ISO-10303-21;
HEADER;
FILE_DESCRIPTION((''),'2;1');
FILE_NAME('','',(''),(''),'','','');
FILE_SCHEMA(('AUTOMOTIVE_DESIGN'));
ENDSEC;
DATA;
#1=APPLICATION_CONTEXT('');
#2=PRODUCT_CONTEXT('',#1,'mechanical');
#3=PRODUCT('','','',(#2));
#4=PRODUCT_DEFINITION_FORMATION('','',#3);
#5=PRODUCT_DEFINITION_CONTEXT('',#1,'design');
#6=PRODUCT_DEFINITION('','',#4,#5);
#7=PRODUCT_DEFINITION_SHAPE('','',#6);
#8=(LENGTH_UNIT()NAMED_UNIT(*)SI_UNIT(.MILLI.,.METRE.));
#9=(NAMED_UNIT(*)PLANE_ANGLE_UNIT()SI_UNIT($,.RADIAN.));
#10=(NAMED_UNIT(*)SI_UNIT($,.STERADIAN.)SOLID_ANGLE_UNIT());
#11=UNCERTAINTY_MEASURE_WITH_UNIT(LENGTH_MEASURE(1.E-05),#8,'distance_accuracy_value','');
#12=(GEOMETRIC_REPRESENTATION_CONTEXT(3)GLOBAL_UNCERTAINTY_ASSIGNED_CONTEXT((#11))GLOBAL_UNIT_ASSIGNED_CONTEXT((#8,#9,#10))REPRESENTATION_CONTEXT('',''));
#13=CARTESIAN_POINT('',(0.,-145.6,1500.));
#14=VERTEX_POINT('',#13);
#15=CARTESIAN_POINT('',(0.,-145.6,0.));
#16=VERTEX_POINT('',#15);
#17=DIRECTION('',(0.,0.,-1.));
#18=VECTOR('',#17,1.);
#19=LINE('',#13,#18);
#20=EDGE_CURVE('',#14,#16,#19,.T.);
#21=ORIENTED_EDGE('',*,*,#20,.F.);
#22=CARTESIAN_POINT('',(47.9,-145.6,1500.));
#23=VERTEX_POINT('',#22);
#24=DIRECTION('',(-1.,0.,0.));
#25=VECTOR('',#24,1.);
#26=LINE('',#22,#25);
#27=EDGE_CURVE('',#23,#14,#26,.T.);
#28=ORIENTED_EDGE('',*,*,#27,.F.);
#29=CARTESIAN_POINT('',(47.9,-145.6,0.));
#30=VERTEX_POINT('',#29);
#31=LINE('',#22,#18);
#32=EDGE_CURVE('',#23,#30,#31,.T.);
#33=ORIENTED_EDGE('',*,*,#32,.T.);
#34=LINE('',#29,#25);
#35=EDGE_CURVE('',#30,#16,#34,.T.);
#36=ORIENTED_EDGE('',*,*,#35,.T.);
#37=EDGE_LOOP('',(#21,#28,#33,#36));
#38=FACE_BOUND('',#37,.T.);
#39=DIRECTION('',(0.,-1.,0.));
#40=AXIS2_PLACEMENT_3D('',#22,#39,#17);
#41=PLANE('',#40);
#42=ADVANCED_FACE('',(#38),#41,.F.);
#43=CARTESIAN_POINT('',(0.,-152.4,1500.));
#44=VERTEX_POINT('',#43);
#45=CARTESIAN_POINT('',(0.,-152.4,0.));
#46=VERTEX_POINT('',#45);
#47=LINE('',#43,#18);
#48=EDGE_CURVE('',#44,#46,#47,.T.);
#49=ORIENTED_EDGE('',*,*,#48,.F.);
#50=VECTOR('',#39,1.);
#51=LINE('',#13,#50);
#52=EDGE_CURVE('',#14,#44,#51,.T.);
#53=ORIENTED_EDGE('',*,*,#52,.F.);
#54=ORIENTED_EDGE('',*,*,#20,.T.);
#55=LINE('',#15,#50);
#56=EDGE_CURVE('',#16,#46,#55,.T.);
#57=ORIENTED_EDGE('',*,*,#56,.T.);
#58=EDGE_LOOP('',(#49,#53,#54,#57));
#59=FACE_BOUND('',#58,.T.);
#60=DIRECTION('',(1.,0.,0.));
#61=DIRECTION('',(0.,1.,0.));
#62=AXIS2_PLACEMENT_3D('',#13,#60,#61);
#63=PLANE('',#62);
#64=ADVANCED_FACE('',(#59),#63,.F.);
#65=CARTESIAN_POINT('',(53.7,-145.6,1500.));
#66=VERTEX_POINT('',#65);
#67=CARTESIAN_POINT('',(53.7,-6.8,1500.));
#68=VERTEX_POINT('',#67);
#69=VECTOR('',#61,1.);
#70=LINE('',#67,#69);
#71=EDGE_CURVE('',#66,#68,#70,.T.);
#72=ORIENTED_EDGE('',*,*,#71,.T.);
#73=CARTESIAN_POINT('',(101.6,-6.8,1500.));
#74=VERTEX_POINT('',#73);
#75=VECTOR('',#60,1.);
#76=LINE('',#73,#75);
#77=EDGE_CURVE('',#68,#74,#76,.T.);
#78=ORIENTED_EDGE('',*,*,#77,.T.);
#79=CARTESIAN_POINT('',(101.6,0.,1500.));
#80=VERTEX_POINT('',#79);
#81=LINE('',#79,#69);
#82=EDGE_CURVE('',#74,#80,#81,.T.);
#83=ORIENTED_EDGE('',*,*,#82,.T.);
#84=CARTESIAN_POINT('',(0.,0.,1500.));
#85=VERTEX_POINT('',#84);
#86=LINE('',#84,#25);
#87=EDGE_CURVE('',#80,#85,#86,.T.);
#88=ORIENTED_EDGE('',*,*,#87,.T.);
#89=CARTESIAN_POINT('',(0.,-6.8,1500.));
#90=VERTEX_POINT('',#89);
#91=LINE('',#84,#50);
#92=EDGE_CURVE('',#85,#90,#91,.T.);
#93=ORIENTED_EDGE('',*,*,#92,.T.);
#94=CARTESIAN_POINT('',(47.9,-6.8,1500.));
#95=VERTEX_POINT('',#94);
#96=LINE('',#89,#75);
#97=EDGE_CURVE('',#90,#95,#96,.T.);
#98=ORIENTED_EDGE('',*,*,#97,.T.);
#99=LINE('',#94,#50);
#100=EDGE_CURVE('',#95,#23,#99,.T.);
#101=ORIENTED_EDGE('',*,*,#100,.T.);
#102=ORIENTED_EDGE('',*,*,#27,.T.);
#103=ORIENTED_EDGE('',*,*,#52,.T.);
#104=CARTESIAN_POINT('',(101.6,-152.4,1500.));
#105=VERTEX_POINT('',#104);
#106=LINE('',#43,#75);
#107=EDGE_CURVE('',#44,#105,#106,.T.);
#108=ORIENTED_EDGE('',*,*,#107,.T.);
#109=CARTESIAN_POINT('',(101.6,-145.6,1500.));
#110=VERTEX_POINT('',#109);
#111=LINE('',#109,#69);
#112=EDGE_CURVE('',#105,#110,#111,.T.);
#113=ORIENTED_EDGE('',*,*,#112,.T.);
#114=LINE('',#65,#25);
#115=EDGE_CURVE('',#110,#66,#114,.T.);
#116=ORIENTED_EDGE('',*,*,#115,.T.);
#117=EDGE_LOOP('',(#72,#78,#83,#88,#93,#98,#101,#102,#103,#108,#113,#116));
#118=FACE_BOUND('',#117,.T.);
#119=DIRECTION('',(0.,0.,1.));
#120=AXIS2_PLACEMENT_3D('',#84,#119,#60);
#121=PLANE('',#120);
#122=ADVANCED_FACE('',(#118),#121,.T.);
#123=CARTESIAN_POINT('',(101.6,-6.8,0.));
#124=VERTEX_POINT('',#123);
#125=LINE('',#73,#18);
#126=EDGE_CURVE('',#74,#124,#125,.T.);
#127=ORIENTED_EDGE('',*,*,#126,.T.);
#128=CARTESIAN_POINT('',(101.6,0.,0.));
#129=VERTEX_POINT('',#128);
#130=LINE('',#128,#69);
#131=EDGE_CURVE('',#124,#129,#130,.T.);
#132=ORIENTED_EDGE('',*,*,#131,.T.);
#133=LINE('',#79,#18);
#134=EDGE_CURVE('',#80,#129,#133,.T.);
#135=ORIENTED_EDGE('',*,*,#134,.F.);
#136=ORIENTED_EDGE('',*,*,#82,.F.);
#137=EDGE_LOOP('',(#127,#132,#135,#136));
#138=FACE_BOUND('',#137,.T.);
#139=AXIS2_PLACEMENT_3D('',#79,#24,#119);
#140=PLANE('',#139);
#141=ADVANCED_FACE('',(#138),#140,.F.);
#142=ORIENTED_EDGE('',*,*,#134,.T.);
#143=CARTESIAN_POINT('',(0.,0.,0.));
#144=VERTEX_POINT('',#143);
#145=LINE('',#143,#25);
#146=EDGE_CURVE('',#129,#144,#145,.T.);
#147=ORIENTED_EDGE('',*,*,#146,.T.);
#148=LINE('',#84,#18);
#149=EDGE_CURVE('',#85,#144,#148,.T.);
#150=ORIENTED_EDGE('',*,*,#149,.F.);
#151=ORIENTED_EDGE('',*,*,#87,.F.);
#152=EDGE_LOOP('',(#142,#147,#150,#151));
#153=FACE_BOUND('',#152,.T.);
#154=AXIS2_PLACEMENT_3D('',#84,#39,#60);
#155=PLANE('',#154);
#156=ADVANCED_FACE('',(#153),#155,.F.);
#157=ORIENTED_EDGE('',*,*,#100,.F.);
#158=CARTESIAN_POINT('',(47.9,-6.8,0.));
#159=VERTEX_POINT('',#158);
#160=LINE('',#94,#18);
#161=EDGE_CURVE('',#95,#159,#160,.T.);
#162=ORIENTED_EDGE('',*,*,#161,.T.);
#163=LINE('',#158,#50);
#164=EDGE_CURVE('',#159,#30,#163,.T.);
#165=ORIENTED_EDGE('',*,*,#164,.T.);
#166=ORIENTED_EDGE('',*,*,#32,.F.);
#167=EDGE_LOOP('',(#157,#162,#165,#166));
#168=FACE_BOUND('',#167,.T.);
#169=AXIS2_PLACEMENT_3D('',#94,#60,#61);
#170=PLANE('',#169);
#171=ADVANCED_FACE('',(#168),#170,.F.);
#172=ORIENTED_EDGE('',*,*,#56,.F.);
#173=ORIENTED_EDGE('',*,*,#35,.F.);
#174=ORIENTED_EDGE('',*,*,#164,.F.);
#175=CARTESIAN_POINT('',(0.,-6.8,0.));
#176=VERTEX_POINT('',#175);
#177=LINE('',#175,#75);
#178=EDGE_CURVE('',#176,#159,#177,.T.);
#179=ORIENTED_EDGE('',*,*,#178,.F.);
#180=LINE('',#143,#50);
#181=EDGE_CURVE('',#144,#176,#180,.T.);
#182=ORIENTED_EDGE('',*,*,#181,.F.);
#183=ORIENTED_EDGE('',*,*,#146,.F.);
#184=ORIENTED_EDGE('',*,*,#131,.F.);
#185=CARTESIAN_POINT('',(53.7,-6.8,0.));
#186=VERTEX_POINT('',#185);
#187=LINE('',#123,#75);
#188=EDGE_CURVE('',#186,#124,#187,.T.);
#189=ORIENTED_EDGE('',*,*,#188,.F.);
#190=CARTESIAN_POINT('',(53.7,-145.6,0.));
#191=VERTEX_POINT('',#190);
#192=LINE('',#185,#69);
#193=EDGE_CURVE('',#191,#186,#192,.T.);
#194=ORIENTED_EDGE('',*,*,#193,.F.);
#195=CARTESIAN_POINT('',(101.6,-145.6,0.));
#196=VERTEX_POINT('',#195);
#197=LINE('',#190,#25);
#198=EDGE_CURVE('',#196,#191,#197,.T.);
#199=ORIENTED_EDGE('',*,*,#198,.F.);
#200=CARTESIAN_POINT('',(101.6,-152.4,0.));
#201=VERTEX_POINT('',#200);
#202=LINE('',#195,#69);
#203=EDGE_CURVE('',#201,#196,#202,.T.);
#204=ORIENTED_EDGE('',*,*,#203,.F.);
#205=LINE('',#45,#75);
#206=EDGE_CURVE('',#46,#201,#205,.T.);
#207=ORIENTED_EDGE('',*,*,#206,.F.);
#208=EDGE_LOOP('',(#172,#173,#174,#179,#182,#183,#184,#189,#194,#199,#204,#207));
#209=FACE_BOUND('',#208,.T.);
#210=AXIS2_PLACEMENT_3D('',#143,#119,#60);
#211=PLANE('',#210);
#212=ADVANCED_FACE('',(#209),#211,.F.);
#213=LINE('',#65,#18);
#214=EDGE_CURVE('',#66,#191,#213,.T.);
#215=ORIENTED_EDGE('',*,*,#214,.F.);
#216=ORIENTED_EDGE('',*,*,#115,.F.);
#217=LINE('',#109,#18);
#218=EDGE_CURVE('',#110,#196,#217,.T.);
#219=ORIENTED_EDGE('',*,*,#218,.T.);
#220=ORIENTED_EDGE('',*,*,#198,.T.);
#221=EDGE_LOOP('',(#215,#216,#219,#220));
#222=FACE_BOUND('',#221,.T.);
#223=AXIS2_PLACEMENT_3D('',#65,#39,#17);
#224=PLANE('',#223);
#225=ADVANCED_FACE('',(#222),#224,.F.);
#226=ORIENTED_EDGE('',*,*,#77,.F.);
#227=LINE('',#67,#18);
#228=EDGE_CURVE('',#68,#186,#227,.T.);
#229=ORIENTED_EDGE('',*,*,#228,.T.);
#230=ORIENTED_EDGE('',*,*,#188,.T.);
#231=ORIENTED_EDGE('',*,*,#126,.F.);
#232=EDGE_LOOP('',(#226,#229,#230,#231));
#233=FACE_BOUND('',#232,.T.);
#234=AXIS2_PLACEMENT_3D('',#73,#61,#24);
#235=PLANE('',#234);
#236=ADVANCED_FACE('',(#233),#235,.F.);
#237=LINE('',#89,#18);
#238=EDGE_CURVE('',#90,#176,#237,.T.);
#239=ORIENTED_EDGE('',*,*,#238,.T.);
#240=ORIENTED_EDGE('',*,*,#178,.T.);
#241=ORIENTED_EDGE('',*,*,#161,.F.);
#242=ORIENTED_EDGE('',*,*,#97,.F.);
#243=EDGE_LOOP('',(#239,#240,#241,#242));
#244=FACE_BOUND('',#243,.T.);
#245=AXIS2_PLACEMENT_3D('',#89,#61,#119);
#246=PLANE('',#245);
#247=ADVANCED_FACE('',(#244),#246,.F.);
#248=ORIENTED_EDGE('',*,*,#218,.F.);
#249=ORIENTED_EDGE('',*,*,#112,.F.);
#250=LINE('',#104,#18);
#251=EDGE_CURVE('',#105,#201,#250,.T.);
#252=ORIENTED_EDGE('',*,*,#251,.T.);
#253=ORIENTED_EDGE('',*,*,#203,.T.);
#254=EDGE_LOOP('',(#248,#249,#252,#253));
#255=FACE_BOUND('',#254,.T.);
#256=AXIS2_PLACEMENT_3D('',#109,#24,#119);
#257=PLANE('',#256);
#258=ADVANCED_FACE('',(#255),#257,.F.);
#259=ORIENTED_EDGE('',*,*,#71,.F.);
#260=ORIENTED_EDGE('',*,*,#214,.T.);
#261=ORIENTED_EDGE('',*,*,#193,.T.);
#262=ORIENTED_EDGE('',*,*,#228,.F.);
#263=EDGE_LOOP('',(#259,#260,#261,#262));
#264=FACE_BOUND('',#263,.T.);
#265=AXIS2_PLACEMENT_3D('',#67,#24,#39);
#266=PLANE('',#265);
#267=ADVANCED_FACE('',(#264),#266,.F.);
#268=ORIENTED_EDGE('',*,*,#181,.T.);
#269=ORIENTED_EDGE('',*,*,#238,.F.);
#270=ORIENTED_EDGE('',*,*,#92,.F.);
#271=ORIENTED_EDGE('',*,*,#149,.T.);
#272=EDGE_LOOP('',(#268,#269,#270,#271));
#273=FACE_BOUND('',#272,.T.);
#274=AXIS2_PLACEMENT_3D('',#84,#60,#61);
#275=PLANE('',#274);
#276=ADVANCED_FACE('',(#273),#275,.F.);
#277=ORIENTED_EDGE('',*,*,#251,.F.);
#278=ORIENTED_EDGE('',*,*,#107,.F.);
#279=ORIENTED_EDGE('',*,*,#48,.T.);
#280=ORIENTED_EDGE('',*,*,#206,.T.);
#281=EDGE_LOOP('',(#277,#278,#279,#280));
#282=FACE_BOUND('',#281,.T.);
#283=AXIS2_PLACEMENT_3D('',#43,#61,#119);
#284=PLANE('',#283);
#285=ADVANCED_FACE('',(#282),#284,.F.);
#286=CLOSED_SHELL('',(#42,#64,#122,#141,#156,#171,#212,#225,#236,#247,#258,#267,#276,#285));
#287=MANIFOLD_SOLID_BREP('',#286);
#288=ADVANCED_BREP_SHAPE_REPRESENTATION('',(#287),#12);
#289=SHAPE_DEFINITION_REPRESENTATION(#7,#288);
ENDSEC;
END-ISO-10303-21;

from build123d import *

# Parameters (mm, degrees)
SALIENTE_EXTRUIR1_DEPTH = 1500


with BuildPart() as part:
    # Croquis1 → Saliente-Extruir1 (new body)
    with BuildSketch(Plane.XY):
        Polygon((0, 0), (101.6, 0), (101.6, -6.8), (53.7, -6.8), (53.7, -145.6), (101.6, -145.6), (101.6, -152.4), (0, -152.4), (0, -145.6), (47.9, -145.6), (47.9, -6.8), (0, -6.8), align=None)
    extrude(amount=SALIENTE_EXTRUIR1_DEPTH)


solid = part.part
